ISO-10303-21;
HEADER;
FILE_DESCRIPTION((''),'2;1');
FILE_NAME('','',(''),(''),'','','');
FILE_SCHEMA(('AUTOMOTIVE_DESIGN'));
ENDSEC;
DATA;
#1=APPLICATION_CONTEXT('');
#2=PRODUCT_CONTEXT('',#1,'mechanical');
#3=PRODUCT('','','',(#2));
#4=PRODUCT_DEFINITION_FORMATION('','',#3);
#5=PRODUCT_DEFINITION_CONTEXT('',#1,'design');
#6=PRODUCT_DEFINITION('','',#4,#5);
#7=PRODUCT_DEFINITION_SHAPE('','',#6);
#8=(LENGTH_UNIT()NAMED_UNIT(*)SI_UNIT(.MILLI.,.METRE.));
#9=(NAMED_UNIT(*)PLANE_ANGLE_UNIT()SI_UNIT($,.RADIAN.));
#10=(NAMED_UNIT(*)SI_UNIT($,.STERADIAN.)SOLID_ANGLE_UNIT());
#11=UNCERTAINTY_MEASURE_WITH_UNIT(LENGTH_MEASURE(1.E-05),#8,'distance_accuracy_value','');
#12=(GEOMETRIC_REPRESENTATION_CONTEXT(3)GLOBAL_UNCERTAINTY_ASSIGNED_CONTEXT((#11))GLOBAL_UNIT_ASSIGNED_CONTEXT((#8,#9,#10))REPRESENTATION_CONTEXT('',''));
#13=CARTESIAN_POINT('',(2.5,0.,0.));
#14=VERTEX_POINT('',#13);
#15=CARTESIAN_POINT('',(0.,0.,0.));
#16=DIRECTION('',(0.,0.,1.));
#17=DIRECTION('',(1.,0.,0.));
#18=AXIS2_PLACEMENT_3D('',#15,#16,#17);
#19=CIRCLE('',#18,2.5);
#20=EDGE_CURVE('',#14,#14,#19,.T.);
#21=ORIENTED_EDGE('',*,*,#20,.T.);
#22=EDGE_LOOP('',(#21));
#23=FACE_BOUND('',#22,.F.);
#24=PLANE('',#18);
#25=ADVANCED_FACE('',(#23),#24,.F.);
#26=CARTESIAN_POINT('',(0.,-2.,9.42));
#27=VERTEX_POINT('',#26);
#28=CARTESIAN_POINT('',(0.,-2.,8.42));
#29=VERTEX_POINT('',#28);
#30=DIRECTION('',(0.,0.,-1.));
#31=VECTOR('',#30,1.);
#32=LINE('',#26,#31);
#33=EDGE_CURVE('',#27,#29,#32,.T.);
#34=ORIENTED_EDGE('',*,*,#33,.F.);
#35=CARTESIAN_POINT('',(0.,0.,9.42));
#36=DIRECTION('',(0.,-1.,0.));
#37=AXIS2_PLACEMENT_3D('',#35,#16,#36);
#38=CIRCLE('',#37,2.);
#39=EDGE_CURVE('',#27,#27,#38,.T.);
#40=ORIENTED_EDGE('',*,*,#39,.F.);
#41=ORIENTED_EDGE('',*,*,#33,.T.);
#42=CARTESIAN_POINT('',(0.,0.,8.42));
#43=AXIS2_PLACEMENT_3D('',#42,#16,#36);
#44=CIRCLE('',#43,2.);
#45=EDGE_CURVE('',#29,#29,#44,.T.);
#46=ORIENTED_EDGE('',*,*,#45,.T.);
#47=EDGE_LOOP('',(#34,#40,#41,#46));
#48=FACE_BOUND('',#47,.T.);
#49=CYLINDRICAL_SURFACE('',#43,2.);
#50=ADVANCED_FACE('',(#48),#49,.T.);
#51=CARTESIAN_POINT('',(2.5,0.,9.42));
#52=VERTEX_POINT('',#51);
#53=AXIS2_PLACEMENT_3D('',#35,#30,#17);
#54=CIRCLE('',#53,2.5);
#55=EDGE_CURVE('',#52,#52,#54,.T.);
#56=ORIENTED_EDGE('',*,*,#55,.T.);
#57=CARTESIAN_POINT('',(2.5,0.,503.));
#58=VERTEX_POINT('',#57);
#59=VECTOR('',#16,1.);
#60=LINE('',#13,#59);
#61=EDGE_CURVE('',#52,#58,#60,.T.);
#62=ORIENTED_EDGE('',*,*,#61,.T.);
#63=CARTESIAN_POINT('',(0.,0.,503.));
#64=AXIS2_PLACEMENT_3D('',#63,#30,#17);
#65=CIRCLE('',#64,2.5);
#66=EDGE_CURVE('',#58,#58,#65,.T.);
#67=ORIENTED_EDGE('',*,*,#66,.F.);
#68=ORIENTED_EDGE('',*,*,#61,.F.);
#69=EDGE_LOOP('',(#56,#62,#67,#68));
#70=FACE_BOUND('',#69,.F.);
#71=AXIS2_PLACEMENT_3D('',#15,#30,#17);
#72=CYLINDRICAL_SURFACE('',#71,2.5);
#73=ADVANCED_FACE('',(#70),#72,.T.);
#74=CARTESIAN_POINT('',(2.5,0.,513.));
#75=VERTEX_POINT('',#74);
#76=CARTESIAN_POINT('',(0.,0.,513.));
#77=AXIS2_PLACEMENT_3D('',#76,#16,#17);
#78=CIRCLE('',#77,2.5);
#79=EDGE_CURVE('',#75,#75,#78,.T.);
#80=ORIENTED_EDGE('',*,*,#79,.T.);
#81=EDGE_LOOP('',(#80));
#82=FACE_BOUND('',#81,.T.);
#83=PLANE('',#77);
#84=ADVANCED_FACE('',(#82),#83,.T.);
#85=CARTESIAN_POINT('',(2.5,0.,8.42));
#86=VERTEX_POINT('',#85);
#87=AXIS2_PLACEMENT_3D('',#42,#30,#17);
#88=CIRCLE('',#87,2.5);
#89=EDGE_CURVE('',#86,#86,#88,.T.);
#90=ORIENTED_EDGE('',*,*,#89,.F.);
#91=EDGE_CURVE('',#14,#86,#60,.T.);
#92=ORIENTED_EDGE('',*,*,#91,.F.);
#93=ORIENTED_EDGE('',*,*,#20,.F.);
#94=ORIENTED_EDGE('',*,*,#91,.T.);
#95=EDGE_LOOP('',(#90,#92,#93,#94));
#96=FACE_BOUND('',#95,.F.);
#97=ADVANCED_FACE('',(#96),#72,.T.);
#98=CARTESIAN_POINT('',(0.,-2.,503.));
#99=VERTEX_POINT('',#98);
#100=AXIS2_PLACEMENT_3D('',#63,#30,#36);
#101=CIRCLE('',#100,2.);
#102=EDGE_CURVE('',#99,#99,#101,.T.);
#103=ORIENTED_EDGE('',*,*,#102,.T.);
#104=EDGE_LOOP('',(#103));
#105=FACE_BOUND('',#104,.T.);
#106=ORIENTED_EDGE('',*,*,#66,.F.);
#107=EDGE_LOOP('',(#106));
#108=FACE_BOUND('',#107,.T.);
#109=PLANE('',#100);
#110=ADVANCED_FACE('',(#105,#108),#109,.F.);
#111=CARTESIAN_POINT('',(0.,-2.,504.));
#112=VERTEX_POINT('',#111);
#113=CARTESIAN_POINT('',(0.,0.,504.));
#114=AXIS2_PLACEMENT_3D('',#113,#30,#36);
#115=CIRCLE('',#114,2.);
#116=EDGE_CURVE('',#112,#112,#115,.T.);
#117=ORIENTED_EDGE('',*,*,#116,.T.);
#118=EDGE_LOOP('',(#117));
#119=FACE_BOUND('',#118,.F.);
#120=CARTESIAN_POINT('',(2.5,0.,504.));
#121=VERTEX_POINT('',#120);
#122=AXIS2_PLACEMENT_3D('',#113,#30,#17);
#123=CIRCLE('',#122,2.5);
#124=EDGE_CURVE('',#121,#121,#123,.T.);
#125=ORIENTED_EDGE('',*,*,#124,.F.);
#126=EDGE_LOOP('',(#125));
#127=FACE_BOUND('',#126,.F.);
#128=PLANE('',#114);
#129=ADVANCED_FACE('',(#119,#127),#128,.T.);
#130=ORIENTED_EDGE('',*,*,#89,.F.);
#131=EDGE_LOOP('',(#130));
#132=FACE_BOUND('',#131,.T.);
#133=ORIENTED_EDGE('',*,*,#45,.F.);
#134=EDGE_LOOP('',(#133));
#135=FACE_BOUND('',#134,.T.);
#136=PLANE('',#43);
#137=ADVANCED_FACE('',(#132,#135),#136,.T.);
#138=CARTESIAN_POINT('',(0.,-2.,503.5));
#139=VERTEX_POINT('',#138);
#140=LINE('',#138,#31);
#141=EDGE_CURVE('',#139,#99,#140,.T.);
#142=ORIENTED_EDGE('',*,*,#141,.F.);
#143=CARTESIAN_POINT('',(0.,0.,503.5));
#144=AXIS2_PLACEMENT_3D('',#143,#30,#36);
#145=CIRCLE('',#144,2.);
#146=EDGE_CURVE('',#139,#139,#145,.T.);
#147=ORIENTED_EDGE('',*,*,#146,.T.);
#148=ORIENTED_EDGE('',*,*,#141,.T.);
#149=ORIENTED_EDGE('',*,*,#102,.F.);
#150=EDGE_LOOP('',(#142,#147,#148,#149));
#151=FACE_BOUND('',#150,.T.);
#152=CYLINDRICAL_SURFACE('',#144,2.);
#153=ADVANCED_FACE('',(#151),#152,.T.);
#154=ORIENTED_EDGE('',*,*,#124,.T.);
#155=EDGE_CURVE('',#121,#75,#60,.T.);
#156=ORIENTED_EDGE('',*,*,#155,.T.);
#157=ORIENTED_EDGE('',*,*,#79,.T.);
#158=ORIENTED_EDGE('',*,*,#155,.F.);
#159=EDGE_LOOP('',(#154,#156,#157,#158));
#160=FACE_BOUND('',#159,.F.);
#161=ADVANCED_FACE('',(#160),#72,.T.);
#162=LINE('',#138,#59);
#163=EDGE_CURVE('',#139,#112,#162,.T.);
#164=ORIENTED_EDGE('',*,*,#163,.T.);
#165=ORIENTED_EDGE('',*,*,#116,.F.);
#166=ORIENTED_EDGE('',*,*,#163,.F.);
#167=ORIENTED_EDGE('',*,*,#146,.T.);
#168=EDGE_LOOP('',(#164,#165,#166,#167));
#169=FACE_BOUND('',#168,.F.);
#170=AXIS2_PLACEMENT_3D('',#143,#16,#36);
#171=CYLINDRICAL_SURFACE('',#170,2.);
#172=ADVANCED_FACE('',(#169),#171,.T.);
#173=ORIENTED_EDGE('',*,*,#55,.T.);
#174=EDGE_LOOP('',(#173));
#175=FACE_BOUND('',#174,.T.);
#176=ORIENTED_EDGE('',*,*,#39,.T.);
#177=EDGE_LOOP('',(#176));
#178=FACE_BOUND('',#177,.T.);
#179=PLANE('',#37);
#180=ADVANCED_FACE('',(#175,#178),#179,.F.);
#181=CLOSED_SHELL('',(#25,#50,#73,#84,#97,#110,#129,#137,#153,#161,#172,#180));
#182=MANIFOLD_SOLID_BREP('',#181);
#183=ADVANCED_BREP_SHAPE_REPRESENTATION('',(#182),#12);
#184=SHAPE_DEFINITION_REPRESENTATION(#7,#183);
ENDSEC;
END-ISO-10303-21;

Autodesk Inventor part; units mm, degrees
ref_plane "YZ Plane" through (0, 0, 0) normal (1, 0, 0) x (0, 1, 0)
ref_plane "XZ Plane" through (0, 0, 0) normal (0, 1, 0) x (-1, 0, 0)
ref_plane "XY Plane" through (0, 0, 0) normal (0, 0, 1) x (1, 0, 0)
sketch "Boceto1" plane through (0, 0, 0) normal (0, 0, 1) x (1, 0, 0)
  circle A0 centre (0, 0) radius 2.5
  dimension "d1" = 5
extrude "Extrusión1" add sketch "Boceto1" along normal blind 513
sketch "Boceto2" plane through (0, 0, 0) normal (1, 0, 0) x (0, 1, 0)
  line L0 (0, 0) -> (0, 8.92)
  line L1 (0, 8.92) -> (-2.5, 8.92)
  line L2 (-2.5, 0) -> (-2.5, 513) projected
  line L3 (-2.5, 0) -> (-2.5, 513) projected
  line L4 (-2.5, 8.42) -> (-2, 8.42)
  line L5 (-2, 8.42) -> (-2, 9.42)
  line L6 (-2, 9.42) -> (-2.5, 9.42)
  line L7 (-2.5, 9.42) -> (-2.5, 8.42)
  dimension "d4" = 8.92
revolve "Revolución1" cut sketch "Boceto2" angle 360 about axis through (0, 0, 0) along (0, 0, 1)
sketch "Boceto3" plane through (0, 0, 0) normal (1, 0, 0) x (0, 1, 0)
  line L0 (2.5, 513) -> (-2.5, 513) projected
  line L1 (0, 513) -> (0, 503.5)
  line L2 (0, 503.5) -> (-2.5, 503.5)
  line L3 (-2.5, 9.42) -> (-2.5, 513) projected
  line L4 (-2.5, 503.5) -> (-2, 503.5)
  line L5 (-2, 503.5) -> (-2, 503)
  line L6 (-2, 503) -> (-2.5, 503)
  line L7 (-2.5, 503) -> (-2.5, 503.5)
  line L8 (-2.5, 503.5) -> (-2, 503.5)
  line L9 (-2, 503.5) -> (-2, 504)
  line L10 (-2, 504) -> (-2.5, 504)
  line L11 (-2.5, 504) -> (-2.5, 503.5)
  point P0 (0, 0)
  dimension "d8" = 9.5
  dimension "d9" = 0.5
  dimension "d10" = 0.5
  dimension "d11" = 0.5
  dimension "d12" = 0.5
revolve "Revolución2" cut sketch "Boceto3" angle 360 about axis through (0, 0, 513) along (0, 0, -1) contours L10 L9 L2 L3 | L5 L6 L3 L2
properties part number "union"
